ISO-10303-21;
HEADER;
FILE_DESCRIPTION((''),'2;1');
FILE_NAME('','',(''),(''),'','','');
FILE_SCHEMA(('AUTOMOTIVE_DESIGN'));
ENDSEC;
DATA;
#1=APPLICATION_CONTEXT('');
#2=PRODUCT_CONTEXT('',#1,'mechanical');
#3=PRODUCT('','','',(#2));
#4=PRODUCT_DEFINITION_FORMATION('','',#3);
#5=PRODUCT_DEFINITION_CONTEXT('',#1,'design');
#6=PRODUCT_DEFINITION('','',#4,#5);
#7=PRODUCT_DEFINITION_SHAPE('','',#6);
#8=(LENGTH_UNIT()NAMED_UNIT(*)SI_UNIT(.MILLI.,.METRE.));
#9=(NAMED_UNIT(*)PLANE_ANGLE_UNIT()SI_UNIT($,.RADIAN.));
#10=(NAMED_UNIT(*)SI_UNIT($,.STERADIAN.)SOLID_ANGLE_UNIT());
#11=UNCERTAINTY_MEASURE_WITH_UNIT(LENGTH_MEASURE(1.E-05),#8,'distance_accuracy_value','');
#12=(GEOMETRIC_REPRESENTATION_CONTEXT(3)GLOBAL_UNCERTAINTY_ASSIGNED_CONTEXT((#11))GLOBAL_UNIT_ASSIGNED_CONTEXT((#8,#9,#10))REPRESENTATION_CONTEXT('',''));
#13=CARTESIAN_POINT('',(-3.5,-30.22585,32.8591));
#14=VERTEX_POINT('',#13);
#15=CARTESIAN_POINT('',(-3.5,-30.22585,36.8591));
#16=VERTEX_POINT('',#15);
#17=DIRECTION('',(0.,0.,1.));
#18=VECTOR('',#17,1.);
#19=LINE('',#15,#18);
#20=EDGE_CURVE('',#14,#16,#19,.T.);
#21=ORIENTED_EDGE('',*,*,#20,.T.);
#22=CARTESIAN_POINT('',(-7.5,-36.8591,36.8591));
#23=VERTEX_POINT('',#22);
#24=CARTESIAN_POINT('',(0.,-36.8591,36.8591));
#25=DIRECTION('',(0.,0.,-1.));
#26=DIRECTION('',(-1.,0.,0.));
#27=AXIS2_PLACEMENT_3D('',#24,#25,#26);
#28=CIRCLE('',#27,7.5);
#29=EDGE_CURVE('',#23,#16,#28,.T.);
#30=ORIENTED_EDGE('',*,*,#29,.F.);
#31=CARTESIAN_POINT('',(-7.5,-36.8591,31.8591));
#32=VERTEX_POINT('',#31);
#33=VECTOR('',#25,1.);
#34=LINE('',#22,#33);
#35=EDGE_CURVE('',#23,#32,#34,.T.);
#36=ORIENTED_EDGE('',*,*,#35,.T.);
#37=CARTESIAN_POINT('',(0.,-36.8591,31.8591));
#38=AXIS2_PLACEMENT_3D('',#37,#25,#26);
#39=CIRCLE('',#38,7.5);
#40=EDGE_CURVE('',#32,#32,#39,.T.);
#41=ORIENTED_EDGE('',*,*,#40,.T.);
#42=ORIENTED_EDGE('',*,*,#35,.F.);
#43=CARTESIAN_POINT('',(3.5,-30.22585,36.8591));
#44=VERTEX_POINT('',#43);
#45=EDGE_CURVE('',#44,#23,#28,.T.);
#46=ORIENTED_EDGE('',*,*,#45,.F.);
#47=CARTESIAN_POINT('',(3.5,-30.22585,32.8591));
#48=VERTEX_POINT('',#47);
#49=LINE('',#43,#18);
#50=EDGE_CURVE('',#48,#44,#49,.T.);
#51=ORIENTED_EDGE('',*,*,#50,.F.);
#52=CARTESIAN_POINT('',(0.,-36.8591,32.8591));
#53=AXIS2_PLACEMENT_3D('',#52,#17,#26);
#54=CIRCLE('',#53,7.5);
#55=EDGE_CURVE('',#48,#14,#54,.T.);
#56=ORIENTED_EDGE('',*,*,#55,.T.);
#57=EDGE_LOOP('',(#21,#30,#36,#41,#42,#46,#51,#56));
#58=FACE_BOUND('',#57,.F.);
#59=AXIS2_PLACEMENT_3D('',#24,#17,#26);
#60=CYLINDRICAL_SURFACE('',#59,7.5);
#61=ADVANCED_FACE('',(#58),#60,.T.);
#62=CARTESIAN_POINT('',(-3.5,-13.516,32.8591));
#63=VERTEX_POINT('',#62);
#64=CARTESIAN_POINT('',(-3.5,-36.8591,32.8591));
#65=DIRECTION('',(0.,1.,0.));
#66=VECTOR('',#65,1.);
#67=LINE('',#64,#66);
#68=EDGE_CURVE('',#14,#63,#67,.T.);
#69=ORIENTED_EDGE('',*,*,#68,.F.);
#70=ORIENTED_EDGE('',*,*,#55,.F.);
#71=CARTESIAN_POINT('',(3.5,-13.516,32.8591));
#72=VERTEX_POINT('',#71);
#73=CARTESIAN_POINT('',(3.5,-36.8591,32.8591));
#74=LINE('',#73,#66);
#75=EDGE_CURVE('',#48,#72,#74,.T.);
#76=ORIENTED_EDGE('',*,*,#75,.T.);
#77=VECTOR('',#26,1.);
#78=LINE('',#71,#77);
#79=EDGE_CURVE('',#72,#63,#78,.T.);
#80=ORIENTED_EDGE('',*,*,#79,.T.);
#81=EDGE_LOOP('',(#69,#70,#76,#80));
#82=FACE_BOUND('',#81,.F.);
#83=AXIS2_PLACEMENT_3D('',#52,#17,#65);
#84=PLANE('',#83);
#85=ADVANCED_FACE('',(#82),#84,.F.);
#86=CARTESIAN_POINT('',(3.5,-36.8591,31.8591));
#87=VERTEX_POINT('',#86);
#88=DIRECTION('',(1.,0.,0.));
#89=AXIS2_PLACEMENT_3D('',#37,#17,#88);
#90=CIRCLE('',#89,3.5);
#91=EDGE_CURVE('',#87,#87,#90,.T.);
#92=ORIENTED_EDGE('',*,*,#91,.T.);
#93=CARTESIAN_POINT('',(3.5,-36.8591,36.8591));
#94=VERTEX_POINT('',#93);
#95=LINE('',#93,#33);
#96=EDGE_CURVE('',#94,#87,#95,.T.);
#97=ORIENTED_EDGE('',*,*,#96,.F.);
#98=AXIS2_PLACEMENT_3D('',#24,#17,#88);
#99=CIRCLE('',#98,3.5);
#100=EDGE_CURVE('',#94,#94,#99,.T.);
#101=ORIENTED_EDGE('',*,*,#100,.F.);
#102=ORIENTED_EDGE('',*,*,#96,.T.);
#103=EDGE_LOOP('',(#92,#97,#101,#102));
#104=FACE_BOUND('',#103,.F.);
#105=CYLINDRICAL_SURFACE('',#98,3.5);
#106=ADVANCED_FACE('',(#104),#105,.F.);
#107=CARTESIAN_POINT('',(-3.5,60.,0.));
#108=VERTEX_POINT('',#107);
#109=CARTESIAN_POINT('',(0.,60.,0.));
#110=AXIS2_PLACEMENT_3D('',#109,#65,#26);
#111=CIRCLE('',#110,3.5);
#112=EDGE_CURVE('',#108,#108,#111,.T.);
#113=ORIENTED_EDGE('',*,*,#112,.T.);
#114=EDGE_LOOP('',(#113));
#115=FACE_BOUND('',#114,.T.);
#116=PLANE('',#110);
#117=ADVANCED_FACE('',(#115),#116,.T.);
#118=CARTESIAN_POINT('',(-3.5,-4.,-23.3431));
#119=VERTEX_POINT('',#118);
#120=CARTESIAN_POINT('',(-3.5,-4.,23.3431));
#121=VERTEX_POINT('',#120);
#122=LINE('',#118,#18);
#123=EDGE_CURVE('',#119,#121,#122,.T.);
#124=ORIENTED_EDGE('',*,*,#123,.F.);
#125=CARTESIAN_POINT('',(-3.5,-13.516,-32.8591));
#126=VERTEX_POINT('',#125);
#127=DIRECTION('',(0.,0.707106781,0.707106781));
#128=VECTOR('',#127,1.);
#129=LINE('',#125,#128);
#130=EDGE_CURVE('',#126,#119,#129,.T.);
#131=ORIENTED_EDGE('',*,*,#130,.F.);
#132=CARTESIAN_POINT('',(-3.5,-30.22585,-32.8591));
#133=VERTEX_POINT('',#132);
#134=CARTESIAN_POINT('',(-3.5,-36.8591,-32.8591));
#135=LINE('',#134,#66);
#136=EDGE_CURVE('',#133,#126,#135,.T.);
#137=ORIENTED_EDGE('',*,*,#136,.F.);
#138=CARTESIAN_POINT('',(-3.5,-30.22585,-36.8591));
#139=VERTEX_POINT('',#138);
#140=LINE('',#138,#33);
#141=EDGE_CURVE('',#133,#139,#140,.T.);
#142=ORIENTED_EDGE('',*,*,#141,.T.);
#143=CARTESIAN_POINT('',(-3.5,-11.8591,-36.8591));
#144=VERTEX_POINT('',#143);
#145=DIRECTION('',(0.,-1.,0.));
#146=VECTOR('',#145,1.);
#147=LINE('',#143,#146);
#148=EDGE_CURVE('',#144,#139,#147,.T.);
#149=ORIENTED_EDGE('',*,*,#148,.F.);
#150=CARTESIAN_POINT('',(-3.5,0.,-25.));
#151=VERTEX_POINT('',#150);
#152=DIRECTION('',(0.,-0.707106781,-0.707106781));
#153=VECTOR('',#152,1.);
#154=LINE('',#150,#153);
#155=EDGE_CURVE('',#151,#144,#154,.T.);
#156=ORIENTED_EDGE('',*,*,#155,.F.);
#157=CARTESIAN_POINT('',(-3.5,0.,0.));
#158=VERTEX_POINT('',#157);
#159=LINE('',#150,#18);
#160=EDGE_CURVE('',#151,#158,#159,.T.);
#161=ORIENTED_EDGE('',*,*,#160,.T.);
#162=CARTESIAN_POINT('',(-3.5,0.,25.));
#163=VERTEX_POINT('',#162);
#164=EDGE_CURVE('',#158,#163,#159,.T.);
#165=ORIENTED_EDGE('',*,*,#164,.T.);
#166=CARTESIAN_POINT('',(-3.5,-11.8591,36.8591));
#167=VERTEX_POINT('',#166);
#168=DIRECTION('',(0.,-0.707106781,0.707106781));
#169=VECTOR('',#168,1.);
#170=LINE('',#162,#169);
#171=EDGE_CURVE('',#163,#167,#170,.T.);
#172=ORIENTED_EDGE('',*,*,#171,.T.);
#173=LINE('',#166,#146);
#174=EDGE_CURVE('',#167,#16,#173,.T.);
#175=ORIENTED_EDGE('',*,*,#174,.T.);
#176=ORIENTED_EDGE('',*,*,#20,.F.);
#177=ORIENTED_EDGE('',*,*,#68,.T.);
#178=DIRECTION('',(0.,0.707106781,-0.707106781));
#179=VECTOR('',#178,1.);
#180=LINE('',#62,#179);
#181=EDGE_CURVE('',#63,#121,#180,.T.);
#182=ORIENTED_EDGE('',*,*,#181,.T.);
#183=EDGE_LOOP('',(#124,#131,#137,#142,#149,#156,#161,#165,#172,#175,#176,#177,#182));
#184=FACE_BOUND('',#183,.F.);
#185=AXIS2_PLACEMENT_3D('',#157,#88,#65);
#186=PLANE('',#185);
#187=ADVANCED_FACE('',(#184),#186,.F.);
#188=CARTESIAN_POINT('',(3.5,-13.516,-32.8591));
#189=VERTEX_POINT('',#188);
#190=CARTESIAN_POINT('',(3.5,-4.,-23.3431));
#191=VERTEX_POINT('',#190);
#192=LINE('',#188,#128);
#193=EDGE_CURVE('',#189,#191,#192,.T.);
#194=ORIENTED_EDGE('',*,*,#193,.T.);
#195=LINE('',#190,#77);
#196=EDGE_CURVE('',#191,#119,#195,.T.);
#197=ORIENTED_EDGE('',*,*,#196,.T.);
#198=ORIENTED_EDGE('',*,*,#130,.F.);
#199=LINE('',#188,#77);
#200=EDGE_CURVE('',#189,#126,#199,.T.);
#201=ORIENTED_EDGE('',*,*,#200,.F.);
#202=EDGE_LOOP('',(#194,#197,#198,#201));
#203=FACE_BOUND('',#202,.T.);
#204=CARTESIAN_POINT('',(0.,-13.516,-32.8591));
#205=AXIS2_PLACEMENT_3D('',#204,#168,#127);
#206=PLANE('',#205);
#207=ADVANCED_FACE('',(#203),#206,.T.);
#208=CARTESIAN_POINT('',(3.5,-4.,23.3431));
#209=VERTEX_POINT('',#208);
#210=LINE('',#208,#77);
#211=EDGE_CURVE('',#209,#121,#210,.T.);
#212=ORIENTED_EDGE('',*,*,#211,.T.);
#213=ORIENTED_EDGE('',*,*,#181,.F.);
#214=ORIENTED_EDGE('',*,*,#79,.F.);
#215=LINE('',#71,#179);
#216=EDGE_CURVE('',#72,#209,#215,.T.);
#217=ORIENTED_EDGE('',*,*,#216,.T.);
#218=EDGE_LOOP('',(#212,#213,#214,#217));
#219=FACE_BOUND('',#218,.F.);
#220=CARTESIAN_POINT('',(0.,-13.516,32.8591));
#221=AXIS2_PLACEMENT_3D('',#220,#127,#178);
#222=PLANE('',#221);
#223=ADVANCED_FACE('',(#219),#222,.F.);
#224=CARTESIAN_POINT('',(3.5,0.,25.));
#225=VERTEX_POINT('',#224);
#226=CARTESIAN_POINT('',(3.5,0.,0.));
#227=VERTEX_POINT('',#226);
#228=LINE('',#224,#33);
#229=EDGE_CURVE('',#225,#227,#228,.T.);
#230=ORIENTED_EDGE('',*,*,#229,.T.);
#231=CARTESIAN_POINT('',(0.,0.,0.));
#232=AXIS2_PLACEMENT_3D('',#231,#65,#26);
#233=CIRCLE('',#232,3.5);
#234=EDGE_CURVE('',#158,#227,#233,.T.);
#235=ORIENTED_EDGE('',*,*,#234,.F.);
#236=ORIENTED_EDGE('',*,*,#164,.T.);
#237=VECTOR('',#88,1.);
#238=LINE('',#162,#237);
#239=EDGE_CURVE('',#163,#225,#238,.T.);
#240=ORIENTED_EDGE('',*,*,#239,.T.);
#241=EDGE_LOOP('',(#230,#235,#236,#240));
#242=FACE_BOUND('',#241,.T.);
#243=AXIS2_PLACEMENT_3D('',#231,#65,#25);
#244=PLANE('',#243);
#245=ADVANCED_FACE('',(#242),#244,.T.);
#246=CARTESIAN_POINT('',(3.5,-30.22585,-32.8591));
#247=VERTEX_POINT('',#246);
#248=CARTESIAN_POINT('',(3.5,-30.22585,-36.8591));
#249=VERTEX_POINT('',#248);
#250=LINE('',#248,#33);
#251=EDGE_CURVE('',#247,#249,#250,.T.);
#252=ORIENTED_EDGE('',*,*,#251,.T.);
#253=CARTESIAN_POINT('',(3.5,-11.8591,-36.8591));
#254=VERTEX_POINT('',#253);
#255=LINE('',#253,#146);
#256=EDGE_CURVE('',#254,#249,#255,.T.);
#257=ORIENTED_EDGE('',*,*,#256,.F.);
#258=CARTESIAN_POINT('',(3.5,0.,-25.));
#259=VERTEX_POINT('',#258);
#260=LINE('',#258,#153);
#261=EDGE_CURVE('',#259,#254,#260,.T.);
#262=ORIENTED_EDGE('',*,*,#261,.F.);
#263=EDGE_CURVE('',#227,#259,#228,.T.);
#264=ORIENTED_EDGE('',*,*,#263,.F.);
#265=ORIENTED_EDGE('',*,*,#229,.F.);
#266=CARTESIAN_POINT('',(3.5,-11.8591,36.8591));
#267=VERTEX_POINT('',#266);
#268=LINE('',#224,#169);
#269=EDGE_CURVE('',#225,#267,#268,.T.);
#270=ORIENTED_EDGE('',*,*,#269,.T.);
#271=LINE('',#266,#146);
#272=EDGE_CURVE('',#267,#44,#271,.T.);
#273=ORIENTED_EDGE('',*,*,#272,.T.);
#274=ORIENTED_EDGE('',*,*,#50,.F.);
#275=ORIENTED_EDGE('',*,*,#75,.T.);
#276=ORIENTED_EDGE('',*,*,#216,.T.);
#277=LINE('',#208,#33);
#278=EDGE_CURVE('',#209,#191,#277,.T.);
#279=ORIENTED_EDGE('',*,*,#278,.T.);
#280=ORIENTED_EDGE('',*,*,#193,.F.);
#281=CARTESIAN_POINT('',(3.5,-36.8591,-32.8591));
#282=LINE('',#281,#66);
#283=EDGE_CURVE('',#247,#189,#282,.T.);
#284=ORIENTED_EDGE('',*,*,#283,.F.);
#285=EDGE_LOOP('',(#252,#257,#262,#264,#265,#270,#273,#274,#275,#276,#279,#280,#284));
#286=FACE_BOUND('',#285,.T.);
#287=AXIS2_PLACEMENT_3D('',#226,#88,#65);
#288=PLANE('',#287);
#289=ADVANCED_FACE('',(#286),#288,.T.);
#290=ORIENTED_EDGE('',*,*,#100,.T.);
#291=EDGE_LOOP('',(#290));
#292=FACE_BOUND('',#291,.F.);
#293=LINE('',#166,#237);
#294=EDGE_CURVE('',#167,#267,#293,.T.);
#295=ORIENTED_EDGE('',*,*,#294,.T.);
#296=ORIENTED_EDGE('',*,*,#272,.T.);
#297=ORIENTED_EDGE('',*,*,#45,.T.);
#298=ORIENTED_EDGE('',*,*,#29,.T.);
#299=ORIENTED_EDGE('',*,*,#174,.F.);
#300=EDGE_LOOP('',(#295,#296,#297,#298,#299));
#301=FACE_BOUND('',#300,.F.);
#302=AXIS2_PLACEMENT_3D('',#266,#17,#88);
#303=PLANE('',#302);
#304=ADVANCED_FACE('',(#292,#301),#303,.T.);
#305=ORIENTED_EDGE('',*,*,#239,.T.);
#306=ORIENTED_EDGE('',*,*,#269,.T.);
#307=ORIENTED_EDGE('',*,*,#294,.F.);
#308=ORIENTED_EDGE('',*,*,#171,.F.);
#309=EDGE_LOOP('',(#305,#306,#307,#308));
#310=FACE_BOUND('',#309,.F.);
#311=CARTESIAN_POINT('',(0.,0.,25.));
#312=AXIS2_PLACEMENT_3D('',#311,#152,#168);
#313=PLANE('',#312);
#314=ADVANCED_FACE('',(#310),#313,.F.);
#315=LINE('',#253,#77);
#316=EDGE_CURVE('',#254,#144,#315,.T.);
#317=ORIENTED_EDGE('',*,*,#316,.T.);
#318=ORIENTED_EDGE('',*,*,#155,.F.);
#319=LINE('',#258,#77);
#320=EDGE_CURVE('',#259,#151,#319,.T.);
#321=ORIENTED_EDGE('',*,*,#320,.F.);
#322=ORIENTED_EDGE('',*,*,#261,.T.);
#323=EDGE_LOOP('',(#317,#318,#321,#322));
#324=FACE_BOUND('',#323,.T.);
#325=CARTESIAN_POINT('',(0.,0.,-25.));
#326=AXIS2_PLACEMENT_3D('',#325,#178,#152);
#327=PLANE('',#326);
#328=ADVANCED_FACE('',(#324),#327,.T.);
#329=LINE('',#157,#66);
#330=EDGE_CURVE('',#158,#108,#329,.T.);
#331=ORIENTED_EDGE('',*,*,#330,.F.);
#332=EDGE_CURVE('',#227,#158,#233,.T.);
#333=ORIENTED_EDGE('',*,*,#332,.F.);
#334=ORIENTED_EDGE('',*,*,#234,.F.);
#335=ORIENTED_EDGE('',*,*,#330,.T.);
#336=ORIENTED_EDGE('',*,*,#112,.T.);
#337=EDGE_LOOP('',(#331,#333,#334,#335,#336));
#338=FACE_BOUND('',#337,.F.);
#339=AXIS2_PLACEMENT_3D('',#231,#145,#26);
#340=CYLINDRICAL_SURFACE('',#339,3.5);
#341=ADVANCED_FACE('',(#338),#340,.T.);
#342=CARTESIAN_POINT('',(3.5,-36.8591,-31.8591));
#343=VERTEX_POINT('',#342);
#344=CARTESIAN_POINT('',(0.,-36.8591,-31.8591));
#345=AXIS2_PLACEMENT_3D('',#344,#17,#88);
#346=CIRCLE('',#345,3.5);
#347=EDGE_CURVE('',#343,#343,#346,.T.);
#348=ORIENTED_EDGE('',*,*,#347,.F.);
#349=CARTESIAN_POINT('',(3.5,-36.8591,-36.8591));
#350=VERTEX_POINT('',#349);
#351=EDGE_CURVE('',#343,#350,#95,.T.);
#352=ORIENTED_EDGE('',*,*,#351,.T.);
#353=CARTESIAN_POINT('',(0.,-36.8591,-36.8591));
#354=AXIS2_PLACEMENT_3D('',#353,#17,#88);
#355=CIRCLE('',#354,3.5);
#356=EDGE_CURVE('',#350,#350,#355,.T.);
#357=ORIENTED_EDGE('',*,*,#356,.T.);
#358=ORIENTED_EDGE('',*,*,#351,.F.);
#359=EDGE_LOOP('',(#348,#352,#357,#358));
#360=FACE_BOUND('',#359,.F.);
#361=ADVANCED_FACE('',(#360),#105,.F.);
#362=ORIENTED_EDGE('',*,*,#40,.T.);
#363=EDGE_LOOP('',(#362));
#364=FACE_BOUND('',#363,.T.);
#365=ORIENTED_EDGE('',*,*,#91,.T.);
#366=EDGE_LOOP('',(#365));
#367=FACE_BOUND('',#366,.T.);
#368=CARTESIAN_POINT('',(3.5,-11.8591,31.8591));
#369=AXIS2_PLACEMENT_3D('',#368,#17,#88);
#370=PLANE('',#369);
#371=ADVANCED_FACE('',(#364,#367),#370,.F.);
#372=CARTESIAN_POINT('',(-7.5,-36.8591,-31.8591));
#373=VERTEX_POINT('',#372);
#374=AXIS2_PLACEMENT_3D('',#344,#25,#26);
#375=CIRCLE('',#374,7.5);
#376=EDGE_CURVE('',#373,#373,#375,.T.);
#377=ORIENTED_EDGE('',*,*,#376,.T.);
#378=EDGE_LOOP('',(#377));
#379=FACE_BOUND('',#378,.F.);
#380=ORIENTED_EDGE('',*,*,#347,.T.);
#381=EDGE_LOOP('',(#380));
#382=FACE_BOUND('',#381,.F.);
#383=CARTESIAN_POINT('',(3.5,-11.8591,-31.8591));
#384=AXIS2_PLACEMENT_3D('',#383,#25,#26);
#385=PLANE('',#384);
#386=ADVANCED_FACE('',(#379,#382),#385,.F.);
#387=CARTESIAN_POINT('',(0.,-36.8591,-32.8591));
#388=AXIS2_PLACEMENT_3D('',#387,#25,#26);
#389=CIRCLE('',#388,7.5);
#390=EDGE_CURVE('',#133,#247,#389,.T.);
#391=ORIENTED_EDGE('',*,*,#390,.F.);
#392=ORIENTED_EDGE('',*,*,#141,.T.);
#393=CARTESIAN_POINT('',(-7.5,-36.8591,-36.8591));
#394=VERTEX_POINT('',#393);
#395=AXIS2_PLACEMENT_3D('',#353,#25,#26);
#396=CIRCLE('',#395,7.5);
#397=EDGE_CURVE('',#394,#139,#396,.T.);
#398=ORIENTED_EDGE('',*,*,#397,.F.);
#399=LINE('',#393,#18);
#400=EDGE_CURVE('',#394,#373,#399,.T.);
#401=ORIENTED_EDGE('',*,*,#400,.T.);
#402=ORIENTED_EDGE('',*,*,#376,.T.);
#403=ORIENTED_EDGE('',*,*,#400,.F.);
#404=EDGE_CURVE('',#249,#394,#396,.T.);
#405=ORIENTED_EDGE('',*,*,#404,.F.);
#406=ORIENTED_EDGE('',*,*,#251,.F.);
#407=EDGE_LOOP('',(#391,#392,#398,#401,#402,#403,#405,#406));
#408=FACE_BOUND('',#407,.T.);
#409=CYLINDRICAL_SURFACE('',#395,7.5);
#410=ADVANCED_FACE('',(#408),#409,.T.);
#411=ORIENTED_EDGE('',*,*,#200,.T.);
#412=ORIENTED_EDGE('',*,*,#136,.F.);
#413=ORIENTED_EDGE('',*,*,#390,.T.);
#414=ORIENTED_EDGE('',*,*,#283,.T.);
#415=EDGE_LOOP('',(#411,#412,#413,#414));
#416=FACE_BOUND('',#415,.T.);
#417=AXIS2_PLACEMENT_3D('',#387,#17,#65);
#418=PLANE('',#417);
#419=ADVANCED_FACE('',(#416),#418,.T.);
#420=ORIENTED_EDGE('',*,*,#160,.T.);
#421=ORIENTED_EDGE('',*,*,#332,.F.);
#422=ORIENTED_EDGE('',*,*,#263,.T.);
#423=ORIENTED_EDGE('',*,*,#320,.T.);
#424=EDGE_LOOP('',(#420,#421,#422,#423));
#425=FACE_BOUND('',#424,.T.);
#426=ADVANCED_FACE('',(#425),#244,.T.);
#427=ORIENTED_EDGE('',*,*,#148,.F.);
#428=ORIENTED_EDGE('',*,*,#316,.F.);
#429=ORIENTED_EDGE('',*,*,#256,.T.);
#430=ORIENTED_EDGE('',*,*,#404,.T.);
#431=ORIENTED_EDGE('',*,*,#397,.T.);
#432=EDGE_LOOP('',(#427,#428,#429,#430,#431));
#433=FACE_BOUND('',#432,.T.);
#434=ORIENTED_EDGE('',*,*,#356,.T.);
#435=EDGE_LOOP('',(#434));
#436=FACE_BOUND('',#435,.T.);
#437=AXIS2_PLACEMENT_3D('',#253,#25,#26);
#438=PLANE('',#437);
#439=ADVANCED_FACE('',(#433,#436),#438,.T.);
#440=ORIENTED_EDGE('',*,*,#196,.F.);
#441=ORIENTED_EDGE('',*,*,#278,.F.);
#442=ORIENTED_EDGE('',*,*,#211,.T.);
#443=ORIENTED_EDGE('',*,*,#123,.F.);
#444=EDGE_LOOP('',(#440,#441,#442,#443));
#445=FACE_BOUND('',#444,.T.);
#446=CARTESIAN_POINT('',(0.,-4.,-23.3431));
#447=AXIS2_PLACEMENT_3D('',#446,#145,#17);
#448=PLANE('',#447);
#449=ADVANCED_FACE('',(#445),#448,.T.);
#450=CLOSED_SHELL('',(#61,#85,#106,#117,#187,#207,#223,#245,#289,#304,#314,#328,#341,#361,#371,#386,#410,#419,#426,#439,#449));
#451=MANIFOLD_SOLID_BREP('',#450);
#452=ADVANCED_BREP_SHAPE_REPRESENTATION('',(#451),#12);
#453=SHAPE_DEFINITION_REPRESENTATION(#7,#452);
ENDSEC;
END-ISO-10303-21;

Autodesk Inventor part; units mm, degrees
ref_plane "YZ Plane" through (0, 0, 0) normal (1, 0, 0) x (0, 1, 0)
ref_plane "XZ Plane" through (0, 0, 0) normal (0, 1, 0) x (-1, 0, 0)
ref_plane "XY Plane" through (0, 0, 0) normal (0, 0, 1) x (1, 0, 0)
sketch "Эскиз1" plane through (0, 0, 0) normal (0, 1, 0) x (-1, 0, 0)
  circle A0 centre (0, 0) radius 3.5
  dimension "d0" = 7
extrude "Выдавливание1" add sketch "Эскиз1" along normal blind 60
sketch "Эскиз3" plane through (0, 0, 0) normal (1, 0, 0) x (0, 1, 0)
  line L0 (0, 0) -> (0, -25)
  line L1 (0, -25) -> (-11.8591, -36.8591)
  line L2 (-11.8591, -36.8591) -> (-36.8591, -36.8591)
  line L3 (-36.8591, -32.8591) -> (-13.516, -32.8591)
  line L4 (-13.516, -32.8591) -> (-4, -23.3431)
  line L5 (-4, -23.3431) -> (-4, 0)
  line L6 (-36.8591, -32.8591) -> (-36.8591, -36.8591)
  line L7 (0, 0) -> (-15.7359, 0) construction
  line L8 (0, 0) -> (0, 25)
  line L9 (0, 25) -> (-11.8591, 36.8591)
  line L10 (-11.8591, 36.8591) -> (-36.8591, 36.8591)
  line L11 (-36.8591, 32.8591) -> (-13.516, 32.8591)
  line L12 (-13.516, 32.8591) -> (-4, 23.3431)
  line L13 (-4, 23.3431) -> (-4, 0)
  line L14 (-36.8591, 32.8591) -> (-36.8591, 36.8591)
  dimension "d7" = 25
  dimension "d8" = 45
  dimension "d9" = 25
  dimension "d10" = 4
extrude "Выдавливание3" add sketch "Эскиз3" along normal mid plane 7
sketch "Эскиз4" plane through (3.5, -11.8591, -36.8591) normal (0, 0, -1) x (-1, 0, 0)
  line L0 (7, -25) -> (0, -25) projected
  circle A0 centre (3.5, -25) radius 7.5
  point P0 (3.5, 11.8591)
  dimension "d13" = 15
extrude "Выдавливание4" add sketch "Эскиз4" against normal blind 5
mirror "Зеркальное отражение1" about plane through (0, 0, 0) normal (0, 0, 1) of "Выдавливание4"
sketch "Эскиз6" plane through (-3.5, -11.8591, 36.8591) normal (0, 0, 1) x (1, 0, 0)
  circle A0 centre (3.5, -25) radius 7.5 projected
  circle A1 centre (3.5, -25) radius 3.5
  point P0 (3.5, 11.8591)
  dimension "d16" = 7
extrude "Выдавливание5" cut sketch "Эскиз6" against normal through all contours A1
properties part number "Макет_рамки" material "Алюминий 6061"
